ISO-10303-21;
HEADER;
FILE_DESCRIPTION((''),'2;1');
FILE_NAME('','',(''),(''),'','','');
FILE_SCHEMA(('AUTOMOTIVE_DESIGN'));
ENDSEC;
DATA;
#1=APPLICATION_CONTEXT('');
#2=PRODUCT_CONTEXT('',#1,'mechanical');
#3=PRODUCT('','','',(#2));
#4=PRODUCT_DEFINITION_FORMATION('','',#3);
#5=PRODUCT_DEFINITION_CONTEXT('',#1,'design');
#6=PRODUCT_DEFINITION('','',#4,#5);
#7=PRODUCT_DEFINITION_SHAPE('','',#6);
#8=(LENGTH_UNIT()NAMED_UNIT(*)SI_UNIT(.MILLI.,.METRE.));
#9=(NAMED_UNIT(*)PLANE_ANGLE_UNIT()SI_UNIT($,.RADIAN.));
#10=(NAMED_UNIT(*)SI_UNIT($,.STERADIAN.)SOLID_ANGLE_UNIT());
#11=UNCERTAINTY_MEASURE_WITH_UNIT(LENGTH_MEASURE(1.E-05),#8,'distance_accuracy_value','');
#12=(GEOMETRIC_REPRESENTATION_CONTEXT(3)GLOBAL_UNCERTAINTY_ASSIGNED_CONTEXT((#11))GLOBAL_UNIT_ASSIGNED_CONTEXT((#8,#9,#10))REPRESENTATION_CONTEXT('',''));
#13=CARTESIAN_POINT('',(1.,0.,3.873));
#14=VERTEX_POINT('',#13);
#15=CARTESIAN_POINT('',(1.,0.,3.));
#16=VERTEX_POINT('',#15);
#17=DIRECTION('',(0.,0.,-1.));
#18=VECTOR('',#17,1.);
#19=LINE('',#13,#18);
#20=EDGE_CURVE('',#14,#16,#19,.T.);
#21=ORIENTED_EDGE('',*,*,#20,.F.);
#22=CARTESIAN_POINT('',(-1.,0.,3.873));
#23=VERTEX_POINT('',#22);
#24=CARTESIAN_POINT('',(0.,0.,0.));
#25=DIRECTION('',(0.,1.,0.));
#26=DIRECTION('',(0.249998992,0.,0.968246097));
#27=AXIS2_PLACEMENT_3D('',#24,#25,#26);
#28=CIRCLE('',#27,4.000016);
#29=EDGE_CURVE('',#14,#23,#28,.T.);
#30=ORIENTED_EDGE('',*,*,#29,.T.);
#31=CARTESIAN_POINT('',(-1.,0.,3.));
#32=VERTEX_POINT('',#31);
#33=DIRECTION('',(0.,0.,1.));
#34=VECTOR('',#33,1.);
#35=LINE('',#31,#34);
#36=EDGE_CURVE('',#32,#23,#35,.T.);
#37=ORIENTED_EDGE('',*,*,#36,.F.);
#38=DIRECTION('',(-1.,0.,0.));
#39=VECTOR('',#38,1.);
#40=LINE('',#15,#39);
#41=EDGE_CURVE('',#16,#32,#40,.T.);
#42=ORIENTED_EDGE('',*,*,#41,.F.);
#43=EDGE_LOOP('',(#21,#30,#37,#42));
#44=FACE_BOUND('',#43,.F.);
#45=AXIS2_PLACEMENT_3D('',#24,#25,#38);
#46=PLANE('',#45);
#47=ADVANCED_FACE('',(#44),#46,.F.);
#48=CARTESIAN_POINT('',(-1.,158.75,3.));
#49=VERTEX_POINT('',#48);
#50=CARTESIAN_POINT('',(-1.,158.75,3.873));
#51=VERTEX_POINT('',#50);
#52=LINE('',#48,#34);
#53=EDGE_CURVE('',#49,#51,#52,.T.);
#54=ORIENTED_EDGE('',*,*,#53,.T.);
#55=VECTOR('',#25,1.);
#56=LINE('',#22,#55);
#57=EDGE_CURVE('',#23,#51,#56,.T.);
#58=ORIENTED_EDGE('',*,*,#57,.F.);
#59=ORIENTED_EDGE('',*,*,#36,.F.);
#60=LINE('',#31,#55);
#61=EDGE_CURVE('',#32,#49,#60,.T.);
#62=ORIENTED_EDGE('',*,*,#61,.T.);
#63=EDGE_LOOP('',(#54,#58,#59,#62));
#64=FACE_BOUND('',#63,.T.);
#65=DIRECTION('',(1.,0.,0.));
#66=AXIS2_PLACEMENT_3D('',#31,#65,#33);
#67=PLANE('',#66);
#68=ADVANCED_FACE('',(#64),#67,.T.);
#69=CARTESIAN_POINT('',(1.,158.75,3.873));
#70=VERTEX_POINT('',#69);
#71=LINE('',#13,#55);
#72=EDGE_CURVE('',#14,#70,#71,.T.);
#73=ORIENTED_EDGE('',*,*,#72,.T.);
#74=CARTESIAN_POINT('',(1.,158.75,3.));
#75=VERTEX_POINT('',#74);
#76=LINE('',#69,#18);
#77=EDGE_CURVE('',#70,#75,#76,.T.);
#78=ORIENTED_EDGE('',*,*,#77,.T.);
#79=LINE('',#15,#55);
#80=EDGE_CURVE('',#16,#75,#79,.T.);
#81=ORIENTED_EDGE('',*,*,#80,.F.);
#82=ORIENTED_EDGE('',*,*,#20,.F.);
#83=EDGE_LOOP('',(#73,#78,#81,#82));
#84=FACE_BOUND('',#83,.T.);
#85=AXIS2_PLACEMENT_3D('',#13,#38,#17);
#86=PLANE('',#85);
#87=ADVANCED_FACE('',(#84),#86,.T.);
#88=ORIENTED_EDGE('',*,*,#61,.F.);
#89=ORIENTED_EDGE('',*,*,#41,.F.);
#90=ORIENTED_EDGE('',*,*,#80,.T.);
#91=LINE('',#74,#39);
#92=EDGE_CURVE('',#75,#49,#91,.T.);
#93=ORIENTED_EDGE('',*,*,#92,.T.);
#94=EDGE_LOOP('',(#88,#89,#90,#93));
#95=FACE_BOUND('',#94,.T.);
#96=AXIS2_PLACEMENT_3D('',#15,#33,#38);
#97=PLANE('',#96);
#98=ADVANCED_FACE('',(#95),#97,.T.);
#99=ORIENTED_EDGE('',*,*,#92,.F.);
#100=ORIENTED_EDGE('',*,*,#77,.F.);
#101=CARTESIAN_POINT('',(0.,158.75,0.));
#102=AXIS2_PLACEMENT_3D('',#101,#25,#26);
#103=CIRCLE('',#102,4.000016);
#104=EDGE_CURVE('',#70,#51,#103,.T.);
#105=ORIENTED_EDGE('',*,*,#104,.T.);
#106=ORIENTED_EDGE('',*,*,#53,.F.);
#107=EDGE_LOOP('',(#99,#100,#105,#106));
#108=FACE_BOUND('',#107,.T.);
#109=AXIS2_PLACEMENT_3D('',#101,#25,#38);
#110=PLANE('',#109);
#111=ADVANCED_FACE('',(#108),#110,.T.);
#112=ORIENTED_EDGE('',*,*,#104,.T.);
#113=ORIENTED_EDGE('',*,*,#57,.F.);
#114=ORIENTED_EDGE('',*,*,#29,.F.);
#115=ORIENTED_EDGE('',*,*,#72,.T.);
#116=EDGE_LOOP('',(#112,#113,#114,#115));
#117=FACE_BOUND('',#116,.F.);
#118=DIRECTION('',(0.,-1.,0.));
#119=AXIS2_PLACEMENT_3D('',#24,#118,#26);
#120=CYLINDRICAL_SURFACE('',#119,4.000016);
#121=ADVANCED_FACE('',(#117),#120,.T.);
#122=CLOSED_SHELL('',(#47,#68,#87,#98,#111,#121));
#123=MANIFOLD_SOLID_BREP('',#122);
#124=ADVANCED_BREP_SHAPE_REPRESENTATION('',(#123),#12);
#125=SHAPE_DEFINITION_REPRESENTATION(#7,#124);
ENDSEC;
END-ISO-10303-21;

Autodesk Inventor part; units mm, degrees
ref_plane "YZ Plane" through (0, 0, 0) normal (1, 0, 0) x (0, 1, 0)
ref_plane "XZ Plane" through (0, 0, 0) normal (0, 1, 0) x (-1, 0, 0)
ref_plane "XY Plane" through (0, 0, 0) normal (0, 0, 1) x (1, 0, 0)
sketch "Sketch1" plane through (0, 0, 0) normal (0, 1, 0) x (-1, 0, 0)
  arc A0 (-1, 3.873) -> (1, 3.873) centre (0, 0) ccw
  line L0 (-1, 3.873) -> (-1, 3)
  line L1 (-1, 3) -> (1, 3)
  line L2 (1, 3) -> (1, 3.873)
  dimension "d0" = 8
  dimension "d1" = 2
  dimension "d2" = 1
  dimension "d3" = 1
extrude "Extrusion1" add sketch "Sketch1" along normal blind 158.75
properties part number "8mm shaft 2" material "Steel"
